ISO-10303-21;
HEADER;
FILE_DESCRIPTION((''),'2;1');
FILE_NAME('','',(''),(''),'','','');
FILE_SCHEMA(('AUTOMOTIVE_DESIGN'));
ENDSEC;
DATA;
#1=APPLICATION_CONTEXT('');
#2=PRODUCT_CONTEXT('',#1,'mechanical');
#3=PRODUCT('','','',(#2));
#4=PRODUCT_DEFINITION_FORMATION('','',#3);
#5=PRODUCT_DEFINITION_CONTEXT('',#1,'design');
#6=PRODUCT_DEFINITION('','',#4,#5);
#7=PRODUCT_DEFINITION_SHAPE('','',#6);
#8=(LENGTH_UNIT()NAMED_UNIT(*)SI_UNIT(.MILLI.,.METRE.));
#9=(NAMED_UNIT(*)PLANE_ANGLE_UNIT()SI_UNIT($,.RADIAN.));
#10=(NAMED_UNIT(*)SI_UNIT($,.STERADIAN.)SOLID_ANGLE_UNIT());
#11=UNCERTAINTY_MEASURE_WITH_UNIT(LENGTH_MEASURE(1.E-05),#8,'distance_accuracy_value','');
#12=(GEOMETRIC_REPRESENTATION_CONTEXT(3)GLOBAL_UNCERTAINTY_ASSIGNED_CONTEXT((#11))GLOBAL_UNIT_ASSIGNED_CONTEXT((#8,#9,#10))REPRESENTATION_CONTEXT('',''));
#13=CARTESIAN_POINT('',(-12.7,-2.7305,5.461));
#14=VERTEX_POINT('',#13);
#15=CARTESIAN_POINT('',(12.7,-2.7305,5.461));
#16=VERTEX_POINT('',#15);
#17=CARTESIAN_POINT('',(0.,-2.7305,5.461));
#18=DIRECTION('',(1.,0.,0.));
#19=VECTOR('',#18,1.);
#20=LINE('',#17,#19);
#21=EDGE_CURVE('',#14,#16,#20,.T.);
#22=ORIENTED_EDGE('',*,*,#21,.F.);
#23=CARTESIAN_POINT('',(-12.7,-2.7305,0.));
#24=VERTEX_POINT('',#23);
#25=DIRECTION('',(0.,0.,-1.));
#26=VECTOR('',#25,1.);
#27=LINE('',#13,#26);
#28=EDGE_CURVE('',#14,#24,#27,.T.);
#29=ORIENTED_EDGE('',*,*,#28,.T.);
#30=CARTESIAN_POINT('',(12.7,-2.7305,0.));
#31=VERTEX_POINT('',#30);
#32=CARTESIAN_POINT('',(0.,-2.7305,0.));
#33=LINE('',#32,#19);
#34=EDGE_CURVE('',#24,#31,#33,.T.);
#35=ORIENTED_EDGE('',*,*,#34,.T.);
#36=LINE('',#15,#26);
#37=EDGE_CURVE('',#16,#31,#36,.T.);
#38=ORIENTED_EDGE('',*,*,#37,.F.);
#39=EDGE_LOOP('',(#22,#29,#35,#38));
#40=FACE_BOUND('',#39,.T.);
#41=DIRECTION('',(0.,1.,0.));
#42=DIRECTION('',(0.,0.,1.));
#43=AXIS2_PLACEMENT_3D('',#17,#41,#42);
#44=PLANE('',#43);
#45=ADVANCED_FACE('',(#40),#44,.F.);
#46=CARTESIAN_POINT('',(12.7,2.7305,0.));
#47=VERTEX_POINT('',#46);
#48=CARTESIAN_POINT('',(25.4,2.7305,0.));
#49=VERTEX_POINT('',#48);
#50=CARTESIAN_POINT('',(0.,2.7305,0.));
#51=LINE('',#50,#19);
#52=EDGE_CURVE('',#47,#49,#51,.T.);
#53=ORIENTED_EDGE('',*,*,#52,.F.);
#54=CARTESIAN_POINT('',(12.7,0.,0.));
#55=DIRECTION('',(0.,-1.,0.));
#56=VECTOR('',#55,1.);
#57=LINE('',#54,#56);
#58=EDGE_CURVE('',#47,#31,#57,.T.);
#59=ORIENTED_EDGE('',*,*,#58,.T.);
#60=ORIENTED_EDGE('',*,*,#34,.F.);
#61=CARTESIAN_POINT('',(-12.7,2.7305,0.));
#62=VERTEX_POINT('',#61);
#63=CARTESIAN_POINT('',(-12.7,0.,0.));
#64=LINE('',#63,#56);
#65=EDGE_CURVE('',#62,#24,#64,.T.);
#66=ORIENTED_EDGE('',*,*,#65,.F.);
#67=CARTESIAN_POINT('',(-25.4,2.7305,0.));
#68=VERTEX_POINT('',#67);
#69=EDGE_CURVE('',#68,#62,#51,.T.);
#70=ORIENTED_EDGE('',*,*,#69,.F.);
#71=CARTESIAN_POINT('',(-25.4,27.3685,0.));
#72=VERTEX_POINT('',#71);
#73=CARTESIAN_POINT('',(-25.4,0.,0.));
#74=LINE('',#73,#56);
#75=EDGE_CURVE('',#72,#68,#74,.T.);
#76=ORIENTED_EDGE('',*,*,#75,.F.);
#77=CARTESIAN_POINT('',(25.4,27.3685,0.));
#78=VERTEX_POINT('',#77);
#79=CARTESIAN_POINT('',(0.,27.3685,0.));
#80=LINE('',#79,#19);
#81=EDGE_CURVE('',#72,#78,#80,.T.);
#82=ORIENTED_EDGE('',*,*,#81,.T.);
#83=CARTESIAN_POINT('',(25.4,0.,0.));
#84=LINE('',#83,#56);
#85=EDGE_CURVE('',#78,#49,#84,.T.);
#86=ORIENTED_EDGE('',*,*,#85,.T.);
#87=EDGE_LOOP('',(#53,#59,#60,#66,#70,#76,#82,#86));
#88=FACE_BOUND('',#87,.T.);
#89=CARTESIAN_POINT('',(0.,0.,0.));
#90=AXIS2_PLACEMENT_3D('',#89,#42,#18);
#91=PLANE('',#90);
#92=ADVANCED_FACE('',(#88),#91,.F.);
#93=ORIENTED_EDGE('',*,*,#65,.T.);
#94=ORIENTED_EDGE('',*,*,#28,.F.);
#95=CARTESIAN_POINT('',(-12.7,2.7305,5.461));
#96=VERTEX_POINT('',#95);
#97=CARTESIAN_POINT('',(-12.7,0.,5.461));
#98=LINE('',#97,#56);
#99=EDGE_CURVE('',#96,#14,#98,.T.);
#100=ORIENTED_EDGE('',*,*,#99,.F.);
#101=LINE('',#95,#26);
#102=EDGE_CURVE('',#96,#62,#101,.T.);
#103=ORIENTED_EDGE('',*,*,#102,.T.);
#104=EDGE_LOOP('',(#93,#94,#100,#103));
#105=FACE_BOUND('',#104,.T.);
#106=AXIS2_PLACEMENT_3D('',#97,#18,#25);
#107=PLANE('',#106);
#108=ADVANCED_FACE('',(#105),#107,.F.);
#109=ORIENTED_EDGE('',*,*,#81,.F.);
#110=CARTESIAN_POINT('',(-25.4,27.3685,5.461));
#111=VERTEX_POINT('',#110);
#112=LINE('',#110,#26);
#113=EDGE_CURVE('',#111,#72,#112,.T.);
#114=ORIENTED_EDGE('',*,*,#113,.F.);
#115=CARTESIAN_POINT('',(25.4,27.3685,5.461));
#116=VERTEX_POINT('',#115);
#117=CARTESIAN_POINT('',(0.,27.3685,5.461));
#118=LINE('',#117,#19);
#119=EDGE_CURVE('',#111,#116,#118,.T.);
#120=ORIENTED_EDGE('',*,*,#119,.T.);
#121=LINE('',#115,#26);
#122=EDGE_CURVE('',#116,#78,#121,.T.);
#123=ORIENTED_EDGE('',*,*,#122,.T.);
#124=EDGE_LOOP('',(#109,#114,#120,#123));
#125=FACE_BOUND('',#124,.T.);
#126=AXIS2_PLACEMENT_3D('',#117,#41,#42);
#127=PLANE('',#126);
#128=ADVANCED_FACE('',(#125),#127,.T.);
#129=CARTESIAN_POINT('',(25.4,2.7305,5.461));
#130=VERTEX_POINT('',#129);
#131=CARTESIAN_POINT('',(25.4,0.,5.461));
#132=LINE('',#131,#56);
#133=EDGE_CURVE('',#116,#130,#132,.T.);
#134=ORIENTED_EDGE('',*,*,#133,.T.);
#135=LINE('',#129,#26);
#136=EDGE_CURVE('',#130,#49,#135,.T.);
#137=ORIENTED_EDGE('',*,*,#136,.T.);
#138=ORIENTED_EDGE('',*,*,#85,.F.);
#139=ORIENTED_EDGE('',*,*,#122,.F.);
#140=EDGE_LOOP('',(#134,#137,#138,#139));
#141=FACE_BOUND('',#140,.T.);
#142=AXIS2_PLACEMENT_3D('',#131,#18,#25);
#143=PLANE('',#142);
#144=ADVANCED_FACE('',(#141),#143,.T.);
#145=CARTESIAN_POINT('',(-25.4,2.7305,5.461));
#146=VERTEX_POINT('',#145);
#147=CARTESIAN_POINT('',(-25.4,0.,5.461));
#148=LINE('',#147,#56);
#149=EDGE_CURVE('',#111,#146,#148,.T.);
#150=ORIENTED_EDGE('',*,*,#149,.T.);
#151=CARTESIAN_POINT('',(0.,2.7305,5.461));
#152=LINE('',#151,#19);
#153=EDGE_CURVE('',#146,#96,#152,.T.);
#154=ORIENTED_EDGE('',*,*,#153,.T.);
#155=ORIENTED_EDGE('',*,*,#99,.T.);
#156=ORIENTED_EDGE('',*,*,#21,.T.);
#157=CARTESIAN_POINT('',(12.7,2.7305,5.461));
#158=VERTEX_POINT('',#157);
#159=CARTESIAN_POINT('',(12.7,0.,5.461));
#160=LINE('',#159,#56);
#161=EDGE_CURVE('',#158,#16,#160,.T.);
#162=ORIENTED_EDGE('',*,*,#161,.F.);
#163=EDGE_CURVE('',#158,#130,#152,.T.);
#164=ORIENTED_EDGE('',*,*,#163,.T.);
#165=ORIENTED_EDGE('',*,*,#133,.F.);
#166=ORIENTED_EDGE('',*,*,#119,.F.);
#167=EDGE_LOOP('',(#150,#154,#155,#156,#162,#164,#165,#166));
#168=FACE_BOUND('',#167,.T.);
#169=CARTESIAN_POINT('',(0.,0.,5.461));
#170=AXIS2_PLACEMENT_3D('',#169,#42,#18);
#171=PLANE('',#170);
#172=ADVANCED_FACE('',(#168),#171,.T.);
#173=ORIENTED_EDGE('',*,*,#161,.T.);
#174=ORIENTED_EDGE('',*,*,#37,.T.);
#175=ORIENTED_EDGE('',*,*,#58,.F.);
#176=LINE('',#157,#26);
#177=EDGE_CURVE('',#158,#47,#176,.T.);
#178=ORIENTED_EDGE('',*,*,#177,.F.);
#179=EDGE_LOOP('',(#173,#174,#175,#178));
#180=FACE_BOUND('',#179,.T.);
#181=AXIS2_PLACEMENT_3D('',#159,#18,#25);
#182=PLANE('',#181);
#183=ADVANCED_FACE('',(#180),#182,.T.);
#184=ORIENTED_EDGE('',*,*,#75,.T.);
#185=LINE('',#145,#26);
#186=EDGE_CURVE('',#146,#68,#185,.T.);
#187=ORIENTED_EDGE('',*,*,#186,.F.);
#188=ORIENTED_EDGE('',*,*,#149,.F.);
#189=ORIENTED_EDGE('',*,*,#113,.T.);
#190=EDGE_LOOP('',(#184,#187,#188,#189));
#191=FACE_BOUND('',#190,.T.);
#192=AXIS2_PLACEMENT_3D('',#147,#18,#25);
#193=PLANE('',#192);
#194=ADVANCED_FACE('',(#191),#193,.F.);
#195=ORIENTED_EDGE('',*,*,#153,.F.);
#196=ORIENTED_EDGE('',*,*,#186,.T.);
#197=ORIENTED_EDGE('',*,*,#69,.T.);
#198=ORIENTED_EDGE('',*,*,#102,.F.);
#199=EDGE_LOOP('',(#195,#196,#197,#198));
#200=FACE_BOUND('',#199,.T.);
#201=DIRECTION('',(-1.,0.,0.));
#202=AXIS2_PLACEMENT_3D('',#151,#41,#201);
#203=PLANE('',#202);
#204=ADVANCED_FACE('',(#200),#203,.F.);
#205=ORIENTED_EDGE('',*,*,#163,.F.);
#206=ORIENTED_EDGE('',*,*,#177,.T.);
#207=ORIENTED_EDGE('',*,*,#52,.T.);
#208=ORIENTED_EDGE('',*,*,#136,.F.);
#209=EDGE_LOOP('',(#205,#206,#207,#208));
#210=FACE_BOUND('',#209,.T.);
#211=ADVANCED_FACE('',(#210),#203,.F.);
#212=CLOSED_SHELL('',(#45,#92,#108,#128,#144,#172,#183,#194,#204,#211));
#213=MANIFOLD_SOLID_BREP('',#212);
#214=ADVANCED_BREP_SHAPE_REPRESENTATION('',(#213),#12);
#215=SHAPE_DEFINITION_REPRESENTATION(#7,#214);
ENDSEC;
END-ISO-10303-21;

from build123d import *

# Parameters (mm, degrees)
SKETCH1_W           = 25.4
SKETCH1_H           = 5.461
BOSS_EXTRUDE1_DEPTH = 5.461


with BuildPart() as part:
    # Sketch1 → Boss-Extrude1 (new body)
    with BuildSketch(Plane.XY):
        Polygon((-25.4, 2.7305), (-12.7, 2.7305), (12.7, 2.7305), (25.4, 2.7305), (25.4, 27.3685), (-25.4, 27.3685), align=None)
        Rectangle(SKETCH1_W, SKETCH1_H)
    extrude(amount=BOSS_EXTRUDE1_DEPTH)


solid = part.part
